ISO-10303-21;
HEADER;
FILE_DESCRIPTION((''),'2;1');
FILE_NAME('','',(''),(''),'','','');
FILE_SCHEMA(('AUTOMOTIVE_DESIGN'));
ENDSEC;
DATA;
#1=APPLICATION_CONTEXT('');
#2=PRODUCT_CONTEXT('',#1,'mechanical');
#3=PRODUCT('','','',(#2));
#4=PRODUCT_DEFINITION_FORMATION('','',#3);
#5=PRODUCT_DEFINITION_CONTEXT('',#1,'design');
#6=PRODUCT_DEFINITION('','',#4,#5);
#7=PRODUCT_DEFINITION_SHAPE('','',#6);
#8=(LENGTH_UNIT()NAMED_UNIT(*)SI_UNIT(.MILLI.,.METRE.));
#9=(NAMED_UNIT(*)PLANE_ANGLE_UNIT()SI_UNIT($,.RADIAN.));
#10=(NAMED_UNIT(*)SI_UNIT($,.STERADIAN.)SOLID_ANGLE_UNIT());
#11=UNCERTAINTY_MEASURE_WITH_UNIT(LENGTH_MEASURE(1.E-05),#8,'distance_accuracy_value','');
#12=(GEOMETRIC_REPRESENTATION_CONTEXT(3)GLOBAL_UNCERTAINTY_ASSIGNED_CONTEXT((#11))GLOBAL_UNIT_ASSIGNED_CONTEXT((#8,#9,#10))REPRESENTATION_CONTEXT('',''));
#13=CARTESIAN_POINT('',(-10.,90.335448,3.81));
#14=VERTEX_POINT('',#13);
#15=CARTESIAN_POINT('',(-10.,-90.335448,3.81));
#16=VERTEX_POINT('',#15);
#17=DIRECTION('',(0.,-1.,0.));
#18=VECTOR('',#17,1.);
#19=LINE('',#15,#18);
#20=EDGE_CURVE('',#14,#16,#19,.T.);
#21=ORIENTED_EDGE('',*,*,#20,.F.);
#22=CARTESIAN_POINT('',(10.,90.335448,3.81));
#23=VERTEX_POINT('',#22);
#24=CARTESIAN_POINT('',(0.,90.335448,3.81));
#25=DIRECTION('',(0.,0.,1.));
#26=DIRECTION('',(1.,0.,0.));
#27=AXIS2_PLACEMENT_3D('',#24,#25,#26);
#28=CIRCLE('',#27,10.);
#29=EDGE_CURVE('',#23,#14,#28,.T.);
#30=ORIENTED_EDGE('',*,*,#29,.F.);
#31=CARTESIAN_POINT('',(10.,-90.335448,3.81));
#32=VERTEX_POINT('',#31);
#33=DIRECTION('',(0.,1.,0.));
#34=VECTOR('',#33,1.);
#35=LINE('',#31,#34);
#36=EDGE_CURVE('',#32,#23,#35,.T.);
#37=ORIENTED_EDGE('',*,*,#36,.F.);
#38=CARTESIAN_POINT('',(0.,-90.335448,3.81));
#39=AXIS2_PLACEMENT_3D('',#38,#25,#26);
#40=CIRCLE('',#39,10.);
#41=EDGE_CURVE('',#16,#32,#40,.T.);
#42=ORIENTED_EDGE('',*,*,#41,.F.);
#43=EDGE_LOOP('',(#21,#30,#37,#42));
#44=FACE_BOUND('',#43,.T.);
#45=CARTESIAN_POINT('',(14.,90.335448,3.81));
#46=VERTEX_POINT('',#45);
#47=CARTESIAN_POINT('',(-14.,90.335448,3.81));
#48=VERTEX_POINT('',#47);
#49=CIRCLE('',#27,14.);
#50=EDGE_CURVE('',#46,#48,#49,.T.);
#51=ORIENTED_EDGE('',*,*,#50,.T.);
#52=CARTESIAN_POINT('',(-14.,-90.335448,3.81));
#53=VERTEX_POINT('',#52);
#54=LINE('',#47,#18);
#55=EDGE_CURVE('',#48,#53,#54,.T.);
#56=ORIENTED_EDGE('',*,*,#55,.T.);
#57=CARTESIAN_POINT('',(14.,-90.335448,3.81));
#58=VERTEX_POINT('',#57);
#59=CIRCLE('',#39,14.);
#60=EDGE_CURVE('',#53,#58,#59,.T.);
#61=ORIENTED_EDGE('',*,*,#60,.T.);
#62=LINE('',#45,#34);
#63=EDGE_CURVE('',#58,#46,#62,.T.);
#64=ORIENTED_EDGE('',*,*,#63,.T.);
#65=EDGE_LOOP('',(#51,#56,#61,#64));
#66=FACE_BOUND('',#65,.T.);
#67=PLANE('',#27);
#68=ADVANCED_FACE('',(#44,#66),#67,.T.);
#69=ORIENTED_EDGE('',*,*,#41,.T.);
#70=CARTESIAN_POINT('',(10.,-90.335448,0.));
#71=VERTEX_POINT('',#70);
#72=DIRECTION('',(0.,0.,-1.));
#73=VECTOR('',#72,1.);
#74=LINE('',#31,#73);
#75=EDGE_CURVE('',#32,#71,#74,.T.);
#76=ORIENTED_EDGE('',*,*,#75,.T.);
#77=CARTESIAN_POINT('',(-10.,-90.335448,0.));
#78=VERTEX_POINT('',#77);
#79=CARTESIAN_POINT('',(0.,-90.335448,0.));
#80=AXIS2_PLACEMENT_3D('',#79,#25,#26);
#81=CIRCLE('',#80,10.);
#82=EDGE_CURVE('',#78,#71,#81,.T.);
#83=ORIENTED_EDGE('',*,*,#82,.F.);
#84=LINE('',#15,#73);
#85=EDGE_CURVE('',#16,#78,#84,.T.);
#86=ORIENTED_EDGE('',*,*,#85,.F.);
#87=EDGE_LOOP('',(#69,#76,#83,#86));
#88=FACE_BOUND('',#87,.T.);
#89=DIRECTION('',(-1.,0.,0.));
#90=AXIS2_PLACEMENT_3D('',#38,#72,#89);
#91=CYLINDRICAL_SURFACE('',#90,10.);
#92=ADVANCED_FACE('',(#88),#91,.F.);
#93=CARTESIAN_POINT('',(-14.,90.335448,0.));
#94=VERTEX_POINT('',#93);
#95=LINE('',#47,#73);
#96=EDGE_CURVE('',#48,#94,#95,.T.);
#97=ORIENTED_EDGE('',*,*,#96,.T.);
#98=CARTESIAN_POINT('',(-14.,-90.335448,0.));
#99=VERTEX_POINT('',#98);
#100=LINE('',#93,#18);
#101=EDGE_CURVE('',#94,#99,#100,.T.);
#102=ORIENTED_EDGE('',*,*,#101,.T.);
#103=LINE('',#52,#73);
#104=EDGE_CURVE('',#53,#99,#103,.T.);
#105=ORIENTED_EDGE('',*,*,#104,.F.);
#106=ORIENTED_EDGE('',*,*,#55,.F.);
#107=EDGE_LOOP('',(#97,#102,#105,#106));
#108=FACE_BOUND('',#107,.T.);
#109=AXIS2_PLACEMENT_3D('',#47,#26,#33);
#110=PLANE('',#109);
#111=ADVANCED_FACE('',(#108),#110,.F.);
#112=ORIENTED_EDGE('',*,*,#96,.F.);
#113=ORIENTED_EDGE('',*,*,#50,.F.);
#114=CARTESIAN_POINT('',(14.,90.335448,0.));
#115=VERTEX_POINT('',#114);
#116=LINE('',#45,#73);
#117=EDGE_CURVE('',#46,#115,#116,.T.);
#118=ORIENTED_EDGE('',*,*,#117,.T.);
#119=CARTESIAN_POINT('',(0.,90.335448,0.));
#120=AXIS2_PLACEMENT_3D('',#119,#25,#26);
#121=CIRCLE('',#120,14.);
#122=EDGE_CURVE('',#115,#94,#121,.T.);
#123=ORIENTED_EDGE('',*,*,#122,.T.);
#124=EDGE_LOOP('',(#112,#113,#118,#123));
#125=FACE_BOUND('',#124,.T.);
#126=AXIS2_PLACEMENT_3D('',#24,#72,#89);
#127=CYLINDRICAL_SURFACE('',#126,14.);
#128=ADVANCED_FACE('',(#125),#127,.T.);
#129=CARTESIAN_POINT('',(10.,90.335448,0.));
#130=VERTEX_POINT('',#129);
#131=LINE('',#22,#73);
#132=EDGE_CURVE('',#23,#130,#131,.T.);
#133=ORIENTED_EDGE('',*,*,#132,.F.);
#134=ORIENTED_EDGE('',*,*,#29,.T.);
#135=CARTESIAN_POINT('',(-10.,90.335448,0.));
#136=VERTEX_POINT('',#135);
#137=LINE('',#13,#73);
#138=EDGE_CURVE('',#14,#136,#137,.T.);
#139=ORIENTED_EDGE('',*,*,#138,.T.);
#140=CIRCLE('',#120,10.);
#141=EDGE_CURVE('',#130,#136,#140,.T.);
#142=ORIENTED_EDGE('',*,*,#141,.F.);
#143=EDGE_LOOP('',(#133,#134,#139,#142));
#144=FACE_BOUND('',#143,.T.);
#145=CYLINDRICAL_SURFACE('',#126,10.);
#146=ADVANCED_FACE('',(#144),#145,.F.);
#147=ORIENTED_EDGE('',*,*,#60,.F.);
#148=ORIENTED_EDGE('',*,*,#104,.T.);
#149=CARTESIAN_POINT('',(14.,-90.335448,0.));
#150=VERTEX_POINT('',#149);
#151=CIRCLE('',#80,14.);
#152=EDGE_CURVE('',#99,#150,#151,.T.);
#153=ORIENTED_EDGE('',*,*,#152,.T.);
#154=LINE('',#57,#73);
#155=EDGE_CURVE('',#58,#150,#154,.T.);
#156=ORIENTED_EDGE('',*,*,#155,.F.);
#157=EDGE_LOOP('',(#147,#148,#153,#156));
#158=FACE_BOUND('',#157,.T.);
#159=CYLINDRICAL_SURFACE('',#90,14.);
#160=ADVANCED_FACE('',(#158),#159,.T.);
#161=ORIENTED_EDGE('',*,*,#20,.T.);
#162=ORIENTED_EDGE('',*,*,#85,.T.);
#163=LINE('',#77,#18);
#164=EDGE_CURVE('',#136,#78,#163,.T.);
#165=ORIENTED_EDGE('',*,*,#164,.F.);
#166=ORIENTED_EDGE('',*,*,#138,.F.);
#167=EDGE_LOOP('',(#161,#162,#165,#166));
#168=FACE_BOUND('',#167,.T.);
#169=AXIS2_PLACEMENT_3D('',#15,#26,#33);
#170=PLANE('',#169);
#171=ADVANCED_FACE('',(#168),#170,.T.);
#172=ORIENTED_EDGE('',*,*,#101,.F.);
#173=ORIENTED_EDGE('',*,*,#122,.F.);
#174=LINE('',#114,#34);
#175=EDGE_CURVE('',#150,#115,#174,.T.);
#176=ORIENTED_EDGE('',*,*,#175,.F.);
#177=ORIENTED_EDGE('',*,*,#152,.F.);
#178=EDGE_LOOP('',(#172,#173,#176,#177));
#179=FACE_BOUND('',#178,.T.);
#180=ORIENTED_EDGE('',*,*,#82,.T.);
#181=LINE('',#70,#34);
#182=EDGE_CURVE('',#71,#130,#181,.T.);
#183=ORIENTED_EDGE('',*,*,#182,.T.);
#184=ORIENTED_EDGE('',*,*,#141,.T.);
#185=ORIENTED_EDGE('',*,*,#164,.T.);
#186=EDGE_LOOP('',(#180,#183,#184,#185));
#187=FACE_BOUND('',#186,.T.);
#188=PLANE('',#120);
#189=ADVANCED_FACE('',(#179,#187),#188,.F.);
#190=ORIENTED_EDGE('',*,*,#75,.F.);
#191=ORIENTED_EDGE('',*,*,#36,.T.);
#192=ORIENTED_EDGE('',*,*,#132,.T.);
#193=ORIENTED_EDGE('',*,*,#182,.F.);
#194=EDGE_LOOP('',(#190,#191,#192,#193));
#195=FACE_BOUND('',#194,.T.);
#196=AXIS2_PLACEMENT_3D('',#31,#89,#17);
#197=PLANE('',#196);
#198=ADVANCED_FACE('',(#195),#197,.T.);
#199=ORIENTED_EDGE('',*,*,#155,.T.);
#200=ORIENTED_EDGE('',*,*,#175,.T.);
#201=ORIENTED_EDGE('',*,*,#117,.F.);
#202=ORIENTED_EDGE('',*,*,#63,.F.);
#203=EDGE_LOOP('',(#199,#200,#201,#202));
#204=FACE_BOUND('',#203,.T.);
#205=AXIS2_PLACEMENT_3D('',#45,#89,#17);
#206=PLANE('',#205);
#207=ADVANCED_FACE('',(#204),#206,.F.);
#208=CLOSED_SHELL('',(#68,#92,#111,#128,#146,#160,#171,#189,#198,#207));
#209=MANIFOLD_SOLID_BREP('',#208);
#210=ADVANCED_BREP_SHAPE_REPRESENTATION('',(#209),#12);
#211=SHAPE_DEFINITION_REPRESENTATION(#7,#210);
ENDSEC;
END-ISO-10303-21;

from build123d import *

# Parameters (mm, degrees)
BOSS_EXTRUDE1_DEPTH = 3.81


with BuildPart() as part:
    # Sketch1 → Boss-Extrude1 (new body)
    with BuildSketch(Plane.XY):
        with BuildLine():
            Line((14, 90.335447546), (14, -90.335447546))
            ThreePointArc((14, -90.335447546), (0, -104.335447546), (-14, -90.335447546))
            Line((-14, -90.335447546), (-14, 90.335447546))
            ThreePointArc((-14, 90.335447546), (0, 104.335447546), (14, 90.335447546))
        make_face()
        with BuildLine():
            Line((-10, -90.335447546), (-10, 90.335447546))
            ThreePointArc((-10, 90.335447546), (0, 100.335447546), (10, 90.335447546))
            Line((10, 90.335447546), (10, -90.335447546))
            ThreePointArc((10, -90.335447546), (0, -100.335447546), (-10, -90.335447546))
        make_face(mode=Mode.SUBTRACT)
    extrude(amount=BOSS_EXTRUDE1_DEPTH)


solid = part.part
